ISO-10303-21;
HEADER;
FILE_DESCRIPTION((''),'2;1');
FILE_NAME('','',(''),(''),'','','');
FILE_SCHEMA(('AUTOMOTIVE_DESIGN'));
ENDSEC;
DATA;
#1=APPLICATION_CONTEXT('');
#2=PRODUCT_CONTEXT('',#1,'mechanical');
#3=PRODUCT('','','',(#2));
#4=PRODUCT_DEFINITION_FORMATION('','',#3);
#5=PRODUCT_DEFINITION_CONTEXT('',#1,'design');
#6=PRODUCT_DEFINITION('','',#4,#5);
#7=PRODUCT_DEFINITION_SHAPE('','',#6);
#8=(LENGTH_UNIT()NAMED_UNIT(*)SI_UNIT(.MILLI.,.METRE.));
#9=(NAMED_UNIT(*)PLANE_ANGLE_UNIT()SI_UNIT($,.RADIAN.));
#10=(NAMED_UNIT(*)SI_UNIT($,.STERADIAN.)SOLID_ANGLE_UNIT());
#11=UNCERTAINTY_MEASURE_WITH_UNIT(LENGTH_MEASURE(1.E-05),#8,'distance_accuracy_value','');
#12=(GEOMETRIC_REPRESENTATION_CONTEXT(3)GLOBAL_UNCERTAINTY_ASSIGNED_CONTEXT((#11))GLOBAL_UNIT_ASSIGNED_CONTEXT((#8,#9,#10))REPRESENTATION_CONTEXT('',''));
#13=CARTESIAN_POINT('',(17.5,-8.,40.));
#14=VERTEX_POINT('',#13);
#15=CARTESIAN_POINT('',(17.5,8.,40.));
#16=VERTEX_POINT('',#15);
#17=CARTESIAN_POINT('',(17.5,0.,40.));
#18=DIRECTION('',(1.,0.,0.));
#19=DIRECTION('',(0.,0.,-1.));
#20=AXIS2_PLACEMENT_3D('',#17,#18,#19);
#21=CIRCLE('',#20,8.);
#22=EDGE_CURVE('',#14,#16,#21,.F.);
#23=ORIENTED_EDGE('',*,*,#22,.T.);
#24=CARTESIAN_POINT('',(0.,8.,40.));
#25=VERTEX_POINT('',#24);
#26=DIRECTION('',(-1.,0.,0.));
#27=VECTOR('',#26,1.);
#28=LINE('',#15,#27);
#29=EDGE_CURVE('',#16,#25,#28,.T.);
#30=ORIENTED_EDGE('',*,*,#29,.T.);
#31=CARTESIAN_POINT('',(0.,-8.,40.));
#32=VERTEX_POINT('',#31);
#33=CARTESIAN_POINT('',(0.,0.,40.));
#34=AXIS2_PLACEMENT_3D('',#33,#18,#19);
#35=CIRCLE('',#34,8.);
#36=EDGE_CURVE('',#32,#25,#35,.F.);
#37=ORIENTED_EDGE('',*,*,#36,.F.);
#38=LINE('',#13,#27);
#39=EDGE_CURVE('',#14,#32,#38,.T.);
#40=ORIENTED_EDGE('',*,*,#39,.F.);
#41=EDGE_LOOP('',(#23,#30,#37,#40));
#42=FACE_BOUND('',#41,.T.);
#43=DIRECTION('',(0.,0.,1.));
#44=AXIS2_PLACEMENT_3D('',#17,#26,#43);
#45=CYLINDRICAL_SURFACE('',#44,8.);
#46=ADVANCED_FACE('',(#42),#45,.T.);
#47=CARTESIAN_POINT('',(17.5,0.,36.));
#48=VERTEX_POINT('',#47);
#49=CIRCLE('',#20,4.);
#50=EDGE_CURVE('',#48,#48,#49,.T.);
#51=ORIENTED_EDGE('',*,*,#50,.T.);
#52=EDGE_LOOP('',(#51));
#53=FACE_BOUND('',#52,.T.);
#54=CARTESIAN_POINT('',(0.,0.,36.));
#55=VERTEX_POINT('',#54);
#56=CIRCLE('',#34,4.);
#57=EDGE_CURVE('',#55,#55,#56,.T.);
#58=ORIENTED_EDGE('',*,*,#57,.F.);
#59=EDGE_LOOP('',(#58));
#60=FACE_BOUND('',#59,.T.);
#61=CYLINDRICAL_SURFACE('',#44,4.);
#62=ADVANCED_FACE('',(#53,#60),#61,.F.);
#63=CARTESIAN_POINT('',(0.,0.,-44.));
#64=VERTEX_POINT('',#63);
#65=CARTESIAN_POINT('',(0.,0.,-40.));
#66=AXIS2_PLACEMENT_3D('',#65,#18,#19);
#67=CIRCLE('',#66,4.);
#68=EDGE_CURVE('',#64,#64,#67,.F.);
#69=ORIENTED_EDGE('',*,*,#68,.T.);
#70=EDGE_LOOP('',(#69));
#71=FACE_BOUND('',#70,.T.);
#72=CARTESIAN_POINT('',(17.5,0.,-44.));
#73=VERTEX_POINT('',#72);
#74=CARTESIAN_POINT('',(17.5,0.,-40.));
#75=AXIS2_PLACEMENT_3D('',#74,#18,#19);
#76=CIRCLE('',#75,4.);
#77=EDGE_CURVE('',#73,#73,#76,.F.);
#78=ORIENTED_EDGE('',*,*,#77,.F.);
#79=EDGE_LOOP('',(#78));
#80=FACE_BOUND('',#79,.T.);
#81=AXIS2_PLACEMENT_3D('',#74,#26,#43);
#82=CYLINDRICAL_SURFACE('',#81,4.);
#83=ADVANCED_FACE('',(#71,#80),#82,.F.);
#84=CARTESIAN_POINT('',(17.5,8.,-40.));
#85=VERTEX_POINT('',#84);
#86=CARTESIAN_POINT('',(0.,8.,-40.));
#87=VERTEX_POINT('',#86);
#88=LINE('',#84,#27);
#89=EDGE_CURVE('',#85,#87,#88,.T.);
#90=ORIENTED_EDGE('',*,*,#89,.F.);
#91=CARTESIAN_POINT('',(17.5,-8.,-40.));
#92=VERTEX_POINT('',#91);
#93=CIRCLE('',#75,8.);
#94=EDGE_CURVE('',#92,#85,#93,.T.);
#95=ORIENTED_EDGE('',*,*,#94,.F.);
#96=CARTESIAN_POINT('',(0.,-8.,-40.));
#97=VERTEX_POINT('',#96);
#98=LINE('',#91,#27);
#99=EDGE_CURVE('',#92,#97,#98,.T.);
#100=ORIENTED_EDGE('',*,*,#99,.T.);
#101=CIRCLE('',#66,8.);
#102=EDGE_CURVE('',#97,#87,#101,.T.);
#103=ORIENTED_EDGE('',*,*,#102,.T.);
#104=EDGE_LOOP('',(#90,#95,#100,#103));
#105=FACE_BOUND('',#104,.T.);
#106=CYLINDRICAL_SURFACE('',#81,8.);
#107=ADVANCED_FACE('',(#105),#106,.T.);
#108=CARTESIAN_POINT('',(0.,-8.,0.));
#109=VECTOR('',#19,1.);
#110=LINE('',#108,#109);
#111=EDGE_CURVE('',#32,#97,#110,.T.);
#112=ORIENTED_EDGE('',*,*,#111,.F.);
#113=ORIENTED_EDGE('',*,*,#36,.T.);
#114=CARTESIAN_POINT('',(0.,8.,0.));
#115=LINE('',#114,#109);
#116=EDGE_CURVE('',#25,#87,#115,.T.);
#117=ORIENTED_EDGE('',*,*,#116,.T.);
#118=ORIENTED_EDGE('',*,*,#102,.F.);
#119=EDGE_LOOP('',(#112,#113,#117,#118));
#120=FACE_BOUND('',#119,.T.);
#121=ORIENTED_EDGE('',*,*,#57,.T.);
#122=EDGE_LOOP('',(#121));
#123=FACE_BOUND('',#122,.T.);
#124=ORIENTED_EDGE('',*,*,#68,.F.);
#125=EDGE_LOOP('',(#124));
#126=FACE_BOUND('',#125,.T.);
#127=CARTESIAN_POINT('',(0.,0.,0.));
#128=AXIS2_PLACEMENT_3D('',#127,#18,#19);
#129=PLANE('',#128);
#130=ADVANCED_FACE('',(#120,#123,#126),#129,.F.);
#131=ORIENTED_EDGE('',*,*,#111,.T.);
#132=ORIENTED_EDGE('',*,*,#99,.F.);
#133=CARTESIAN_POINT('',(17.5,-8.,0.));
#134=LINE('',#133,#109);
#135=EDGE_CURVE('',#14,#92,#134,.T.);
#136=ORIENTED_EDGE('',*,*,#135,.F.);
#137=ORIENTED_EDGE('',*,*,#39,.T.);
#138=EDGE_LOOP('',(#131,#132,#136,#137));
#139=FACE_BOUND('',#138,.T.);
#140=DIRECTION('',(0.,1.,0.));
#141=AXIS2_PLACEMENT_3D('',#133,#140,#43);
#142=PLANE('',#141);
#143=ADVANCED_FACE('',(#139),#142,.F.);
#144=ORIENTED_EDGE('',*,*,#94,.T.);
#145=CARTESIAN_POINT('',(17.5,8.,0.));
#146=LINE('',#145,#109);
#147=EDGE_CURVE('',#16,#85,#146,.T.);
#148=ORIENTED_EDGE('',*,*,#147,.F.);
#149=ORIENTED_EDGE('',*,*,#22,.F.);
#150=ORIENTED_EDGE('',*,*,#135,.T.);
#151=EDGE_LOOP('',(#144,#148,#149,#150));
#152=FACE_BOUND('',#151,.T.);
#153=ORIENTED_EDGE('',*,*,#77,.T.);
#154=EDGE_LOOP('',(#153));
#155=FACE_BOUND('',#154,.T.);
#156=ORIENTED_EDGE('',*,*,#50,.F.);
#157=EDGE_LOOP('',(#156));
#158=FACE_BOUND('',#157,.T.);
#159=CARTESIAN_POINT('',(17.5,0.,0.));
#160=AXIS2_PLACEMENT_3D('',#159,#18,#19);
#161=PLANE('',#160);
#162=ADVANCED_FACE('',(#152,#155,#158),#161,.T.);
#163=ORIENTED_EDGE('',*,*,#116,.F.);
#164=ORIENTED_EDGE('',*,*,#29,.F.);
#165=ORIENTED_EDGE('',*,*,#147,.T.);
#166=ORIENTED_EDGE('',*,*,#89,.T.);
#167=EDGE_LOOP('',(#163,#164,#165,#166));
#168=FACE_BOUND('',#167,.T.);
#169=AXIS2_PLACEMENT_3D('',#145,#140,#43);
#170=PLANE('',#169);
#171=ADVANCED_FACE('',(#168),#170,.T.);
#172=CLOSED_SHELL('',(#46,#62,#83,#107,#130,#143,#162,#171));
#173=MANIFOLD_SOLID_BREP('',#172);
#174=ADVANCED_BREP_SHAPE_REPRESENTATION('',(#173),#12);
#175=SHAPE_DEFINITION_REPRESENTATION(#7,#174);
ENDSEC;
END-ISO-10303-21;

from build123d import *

# Parameters (mm, degrees)
SKETCH_1_R      = 4
EXTRUDE_1_DEPTH = 17.5


with BuildPart() as part:
    # 草图1 → 凸台-拉伸1 (new body)
    with BuildSketch(Plane(origin=(0, 0, 0), x_dir=(0, 0, -1), z_dir=(1, 0, 0))):
        with BuildLine():
            Line((-40, 8), (40, 8))
            ThreePointArc((40, 8), (48, 0), (40, -8))
            Line((40, -8), (-40, -8))
            ThreePointArc((-40, -8), (-48, 0), (-40, 8))
        make_face()
        with Locations((40, 0)):
            Circle(SKETCH_1_R, mode=Mode.SUBTRACT)
        with Locations((-40, 0)):
            Circle(SKETCH_1_R, mode=Mode.SUBTRACT)
    extrude(amount=EXTRUDE_1_DEPTH)


solid = part.part
